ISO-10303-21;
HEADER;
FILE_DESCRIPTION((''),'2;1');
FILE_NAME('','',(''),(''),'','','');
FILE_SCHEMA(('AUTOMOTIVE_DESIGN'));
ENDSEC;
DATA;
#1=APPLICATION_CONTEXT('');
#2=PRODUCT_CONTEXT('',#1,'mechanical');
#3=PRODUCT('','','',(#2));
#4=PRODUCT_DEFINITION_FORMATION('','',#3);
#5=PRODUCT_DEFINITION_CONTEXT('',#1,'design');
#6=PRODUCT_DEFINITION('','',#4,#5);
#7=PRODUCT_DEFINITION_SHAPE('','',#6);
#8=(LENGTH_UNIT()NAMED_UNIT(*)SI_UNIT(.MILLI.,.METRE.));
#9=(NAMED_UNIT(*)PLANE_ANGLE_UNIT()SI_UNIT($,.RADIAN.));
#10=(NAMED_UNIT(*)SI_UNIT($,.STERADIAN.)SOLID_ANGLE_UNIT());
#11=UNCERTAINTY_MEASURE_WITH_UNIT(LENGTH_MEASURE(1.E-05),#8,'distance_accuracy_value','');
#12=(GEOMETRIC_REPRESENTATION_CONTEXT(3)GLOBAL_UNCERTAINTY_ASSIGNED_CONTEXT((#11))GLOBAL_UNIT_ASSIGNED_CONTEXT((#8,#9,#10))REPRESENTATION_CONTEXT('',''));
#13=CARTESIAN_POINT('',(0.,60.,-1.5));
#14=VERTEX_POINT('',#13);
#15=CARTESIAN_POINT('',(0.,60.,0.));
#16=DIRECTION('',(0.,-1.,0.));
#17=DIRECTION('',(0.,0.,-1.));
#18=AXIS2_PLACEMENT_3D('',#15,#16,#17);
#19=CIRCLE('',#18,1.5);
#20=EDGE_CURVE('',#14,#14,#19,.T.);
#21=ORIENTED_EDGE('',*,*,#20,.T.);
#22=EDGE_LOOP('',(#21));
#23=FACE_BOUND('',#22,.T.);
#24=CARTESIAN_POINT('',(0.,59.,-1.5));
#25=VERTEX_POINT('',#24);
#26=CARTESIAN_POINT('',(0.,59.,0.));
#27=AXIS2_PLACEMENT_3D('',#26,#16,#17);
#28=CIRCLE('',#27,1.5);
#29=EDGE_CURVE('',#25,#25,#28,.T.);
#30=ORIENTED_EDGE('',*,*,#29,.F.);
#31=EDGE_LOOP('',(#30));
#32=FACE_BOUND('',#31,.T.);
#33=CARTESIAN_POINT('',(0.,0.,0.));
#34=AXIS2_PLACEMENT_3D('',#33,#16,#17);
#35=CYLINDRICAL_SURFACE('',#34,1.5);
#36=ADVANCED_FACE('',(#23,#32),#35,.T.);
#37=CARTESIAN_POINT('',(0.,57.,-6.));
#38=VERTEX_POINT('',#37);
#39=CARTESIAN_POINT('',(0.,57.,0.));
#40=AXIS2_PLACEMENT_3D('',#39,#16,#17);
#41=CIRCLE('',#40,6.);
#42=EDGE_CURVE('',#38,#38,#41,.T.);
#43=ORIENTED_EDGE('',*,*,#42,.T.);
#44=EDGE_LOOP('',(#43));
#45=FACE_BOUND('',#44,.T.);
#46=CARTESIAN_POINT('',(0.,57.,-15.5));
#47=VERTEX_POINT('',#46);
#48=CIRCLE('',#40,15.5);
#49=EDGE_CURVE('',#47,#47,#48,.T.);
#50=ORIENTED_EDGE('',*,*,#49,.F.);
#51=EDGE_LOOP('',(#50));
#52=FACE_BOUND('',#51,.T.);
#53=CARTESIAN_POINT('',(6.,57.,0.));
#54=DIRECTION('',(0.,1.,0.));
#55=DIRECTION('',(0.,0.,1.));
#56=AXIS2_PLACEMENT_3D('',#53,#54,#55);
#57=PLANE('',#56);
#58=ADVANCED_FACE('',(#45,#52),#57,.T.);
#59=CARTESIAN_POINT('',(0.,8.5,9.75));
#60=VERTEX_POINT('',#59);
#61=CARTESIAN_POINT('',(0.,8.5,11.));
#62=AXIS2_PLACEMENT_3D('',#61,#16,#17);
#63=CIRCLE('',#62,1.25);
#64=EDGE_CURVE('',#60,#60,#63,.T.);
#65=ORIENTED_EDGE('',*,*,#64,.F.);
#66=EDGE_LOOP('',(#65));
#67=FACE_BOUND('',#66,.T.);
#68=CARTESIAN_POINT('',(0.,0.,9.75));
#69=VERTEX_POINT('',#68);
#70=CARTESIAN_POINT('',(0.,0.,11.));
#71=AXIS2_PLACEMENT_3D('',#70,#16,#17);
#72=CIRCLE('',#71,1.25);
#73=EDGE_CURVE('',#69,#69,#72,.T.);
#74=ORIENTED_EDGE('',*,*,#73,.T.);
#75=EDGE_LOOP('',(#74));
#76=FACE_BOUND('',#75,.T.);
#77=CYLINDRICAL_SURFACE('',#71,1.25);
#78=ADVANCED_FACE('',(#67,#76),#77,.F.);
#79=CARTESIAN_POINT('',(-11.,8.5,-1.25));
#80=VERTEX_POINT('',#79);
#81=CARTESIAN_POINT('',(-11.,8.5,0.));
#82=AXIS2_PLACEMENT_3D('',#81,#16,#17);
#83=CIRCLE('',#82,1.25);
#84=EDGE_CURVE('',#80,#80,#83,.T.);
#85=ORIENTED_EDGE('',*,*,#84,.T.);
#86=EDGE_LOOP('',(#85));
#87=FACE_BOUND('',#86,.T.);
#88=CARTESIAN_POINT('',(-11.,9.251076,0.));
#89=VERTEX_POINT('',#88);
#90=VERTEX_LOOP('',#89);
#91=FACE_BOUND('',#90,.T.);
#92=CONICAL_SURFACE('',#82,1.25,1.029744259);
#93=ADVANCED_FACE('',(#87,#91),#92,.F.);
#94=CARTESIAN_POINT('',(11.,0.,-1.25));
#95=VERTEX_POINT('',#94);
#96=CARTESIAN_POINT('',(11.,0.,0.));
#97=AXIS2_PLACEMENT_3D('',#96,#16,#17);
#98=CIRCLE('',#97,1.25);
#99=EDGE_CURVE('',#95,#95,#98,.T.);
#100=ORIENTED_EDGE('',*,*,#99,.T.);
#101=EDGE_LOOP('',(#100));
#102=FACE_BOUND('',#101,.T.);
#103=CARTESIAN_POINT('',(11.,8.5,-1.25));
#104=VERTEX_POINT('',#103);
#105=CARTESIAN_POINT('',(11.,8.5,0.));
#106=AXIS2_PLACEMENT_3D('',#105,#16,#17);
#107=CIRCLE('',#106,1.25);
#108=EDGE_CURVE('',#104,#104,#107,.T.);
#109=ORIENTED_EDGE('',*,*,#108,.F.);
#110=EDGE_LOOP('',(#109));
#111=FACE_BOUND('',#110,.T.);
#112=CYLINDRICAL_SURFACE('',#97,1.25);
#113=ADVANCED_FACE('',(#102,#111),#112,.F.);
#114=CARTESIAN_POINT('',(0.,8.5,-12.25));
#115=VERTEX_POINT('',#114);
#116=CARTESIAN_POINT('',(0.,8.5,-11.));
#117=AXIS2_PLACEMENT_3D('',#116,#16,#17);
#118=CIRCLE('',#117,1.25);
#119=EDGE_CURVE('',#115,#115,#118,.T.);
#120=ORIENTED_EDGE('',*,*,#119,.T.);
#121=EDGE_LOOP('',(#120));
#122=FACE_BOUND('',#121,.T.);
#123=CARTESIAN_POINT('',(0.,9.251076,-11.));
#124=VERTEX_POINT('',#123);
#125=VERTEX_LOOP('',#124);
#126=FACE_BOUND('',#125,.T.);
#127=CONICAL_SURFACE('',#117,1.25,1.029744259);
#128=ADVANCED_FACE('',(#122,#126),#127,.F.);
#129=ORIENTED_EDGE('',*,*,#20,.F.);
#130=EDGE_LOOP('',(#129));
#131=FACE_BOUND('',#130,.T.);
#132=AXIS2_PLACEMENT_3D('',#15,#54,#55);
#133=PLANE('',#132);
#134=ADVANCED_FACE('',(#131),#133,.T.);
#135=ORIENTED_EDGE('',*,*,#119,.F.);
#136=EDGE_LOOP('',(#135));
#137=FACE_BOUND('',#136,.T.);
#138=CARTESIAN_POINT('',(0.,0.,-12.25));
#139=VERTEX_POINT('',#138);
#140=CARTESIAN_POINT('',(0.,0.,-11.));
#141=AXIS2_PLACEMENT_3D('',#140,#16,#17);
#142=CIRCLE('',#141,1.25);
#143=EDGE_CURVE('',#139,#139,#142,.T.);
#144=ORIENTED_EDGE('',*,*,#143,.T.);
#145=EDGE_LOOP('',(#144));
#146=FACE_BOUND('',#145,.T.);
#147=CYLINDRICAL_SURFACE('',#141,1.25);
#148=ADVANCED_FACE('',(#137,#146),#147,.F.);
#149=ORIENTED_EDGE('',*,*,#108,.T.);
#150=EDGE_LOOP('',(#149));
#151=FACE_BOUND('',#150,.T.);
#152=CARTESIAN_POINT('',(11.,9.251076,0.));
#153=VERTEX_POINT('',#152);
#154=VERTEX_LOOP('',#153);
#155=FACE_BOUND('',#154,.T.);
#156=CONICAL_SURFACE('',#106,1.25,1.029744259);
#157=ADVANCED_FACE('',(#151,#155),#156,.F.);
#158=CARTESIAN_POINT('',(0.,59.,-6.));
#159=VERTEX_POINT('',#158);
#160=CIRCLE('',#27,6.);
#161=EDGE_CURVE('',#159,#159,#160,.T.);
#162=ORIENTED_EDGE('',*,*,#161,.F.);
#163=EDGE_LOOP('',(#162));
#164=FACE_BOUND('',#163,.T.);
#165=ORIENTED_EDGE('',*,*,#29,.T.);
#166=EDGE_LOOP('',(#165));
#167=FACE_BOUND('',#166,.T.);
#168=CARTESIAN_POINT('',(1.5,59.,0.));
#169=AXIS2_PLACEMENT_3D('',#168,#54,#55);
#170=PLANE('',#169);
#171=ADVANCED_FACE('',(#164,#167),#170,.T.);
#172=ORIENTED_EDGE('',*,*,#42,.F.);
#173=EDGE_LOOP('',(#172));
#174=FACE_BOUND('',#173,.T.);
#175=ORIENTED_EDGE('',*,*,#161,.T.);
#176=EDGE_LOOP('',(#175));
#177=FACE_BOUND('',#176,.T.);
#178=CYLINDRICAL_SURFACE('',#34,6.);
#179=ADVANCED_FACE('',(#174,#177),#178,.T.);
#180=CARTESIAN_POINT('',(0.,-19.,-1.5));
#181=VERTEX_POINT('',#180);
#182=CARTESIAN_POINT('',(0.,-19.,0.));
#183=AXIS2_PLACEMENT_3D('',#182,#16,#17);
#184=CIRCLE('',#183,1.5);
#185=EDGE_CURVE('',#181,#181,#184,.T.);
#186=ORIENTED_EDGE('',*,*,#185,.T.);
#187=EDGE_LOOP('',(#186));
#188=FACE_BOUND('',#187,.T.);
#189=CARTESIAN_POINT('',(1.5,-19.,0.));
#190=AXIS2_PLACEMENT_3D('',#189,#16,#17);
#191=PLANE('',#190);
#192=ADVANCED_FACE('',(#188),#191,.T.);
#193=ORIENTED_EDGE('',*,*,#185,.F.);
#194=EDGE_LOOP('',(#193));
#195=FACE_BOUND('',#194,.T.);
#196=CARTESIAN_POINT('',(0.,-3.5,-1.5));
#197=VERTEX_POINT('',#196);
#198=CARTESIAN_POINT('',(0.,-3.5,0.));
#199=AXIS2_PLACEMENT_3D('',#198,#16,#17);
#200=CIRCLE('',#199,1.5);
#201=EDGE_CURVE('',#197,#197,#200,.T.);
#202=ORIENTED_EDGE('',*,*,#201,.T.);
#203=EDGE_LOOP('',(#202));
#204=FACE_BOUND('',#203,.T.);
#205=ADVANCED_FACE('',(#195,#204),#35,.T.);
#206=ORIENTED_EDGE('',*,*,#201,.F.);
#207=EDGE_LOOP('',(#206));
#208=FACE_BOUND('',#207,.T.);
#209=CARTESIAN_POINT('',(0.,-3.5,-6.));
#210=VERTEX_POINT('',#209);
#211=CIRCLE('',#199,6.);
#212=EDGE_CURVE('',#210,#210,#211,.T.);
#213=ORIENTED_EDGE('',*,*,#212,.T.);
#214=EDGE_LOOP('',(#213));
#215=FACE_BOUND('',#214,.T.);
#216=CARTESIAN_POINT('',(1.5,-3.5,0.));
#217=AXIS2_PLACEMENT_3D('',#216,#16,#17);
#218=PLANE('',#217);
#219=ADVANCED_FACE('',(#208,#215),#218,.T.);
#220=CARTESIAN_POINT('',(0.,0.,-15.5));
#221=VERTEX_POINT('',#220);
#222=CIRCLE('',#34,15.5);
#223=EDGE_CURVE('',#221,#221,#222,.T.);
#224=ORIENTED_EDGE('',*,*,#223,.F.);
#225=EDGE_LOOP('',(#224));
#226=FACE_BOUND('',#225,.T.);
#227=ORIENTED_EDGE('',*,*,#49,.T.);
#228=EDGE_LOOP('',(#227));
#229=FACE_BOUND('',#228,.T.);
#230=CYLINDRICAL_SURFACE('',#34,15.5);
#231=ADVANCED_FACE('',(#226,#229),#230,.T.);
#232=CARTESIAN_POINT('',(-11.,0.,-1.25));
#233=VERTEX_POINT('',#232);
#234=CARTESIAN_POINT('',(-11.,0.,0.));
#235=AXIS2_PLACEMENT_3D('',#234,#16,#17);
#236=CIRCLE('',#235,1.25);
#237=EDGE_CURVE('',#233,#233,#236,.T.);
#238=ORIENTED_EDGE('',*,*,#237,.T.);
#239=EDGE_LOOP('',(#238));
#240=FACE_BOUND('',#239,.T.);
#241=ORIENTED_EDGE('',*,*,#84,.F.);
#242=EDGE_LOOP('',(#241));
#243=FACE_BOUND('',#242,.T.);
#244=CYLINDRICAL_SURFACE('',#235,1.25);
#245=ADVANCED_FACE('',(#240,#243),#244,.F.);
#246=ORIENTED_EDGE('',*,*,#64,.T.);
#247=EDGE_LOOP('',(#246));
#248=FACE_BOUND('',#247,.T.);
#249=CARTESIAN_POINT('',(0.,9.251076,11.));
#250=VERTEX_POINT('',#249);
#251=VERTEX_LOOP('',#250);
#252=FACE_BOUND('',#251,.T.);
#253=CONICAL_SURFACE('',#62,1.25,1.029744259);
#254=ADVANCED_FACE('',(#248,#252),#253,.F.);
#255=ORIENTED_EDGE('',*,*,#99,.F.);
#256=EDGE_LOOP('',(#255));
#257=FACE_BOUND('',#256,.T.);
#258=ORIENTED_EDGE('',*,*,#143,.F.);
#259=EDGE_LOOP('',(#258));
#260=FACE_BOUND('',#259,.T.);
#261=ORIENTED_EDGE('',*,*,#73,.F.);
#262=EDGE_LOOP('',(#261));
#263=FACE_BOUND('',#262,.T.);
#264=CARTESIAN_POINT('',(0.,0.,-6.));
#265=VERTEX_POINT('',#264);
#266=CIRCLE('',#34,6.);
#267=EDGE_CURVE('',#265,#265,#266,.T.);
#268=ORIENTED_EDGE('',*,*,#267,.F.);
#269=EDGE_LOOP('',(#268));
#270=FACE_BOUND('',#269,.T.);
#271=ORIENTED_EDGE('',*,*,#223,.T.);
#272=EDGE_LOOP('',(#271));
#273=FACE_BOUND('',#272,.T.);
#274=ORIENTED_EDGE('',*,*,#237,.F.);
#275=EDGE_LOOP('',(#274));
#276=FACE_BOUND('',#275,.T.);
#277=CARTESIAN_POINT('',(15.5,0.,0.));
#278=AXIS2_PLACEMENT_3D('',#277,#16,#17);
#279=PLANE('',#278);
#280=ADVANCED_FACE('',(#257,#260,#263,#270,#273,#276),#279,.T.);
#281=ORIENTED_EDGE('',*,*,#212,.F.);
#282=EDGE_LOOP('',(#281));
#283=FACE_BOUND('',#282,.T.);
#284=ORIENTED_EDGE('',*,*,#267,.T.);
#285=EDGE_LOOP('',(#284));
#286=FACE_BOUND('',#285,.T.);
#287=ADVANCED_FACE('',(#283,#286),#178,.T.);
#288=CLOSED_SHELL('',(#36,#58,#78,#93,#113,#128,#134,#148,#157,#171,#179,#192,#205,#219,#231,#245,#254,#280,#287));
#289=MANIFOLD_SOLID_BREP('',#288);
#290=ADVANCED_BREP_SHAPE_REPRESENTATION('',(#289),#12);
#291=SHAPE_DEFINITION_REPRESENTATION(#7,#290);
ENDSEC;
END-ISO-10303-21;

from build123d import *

# Parameters (mm, degrees)
TROU_TARAUD_M3X0_51_D     = 2.5
TROU_TARAUD_M3X0_51_DEPTH = 8.5
TROU_TARAUD_M3X0_51_TIP   = 0.751075774


with BuildPart() as part:
    # Esquisse1 → Révolution1 (revolve)
    with BuildSketch(Plane.XY, mode=Mode.PRIVATE) as r_volution1_sk:
        Polygon((0, -19), (0, 60), (1.5, 60), (1.5, 59), (6, 59), (6, 57), (15.5, 57), (15.5, 0), (6, 0), (6, -3.5), (1.5, -3.5), (1.5, -19), align=None)
    revolve(r_volution1_sk.sketch.rotate(Axis((0, 0, 0), (0, 1, 0)), 90), axis=Axis((0, 0, 0), (0, 1, 0)))

    # Trou taraudé M3x0.51
    with Locations(Plane(origin=(0, 0, 0), x_dir=(-1, 0, 0), z_dir=(0, -1, 0))):
        with Locations((0, -11), (-11, 0), (0, 11), (11, 0)):
            Hole(TROU_TARAUD_M3X0_51_D / 2, depth=TROU_TARAUD_M3X0_51_DEPTH)
            with Locations((0, 0, -(TROU_TARAUD_M3X0_51_DEPTH + TROU_TARAUD_M3X0_51_TIP / 2))):  # 118° drill point
                Cone(0, TROU_TARAUD_M3X0_51_D / 2, TROU_TARAUD_M3X0_51_TIP, mode=Mode.SUBTRACT)


solid = part.part
